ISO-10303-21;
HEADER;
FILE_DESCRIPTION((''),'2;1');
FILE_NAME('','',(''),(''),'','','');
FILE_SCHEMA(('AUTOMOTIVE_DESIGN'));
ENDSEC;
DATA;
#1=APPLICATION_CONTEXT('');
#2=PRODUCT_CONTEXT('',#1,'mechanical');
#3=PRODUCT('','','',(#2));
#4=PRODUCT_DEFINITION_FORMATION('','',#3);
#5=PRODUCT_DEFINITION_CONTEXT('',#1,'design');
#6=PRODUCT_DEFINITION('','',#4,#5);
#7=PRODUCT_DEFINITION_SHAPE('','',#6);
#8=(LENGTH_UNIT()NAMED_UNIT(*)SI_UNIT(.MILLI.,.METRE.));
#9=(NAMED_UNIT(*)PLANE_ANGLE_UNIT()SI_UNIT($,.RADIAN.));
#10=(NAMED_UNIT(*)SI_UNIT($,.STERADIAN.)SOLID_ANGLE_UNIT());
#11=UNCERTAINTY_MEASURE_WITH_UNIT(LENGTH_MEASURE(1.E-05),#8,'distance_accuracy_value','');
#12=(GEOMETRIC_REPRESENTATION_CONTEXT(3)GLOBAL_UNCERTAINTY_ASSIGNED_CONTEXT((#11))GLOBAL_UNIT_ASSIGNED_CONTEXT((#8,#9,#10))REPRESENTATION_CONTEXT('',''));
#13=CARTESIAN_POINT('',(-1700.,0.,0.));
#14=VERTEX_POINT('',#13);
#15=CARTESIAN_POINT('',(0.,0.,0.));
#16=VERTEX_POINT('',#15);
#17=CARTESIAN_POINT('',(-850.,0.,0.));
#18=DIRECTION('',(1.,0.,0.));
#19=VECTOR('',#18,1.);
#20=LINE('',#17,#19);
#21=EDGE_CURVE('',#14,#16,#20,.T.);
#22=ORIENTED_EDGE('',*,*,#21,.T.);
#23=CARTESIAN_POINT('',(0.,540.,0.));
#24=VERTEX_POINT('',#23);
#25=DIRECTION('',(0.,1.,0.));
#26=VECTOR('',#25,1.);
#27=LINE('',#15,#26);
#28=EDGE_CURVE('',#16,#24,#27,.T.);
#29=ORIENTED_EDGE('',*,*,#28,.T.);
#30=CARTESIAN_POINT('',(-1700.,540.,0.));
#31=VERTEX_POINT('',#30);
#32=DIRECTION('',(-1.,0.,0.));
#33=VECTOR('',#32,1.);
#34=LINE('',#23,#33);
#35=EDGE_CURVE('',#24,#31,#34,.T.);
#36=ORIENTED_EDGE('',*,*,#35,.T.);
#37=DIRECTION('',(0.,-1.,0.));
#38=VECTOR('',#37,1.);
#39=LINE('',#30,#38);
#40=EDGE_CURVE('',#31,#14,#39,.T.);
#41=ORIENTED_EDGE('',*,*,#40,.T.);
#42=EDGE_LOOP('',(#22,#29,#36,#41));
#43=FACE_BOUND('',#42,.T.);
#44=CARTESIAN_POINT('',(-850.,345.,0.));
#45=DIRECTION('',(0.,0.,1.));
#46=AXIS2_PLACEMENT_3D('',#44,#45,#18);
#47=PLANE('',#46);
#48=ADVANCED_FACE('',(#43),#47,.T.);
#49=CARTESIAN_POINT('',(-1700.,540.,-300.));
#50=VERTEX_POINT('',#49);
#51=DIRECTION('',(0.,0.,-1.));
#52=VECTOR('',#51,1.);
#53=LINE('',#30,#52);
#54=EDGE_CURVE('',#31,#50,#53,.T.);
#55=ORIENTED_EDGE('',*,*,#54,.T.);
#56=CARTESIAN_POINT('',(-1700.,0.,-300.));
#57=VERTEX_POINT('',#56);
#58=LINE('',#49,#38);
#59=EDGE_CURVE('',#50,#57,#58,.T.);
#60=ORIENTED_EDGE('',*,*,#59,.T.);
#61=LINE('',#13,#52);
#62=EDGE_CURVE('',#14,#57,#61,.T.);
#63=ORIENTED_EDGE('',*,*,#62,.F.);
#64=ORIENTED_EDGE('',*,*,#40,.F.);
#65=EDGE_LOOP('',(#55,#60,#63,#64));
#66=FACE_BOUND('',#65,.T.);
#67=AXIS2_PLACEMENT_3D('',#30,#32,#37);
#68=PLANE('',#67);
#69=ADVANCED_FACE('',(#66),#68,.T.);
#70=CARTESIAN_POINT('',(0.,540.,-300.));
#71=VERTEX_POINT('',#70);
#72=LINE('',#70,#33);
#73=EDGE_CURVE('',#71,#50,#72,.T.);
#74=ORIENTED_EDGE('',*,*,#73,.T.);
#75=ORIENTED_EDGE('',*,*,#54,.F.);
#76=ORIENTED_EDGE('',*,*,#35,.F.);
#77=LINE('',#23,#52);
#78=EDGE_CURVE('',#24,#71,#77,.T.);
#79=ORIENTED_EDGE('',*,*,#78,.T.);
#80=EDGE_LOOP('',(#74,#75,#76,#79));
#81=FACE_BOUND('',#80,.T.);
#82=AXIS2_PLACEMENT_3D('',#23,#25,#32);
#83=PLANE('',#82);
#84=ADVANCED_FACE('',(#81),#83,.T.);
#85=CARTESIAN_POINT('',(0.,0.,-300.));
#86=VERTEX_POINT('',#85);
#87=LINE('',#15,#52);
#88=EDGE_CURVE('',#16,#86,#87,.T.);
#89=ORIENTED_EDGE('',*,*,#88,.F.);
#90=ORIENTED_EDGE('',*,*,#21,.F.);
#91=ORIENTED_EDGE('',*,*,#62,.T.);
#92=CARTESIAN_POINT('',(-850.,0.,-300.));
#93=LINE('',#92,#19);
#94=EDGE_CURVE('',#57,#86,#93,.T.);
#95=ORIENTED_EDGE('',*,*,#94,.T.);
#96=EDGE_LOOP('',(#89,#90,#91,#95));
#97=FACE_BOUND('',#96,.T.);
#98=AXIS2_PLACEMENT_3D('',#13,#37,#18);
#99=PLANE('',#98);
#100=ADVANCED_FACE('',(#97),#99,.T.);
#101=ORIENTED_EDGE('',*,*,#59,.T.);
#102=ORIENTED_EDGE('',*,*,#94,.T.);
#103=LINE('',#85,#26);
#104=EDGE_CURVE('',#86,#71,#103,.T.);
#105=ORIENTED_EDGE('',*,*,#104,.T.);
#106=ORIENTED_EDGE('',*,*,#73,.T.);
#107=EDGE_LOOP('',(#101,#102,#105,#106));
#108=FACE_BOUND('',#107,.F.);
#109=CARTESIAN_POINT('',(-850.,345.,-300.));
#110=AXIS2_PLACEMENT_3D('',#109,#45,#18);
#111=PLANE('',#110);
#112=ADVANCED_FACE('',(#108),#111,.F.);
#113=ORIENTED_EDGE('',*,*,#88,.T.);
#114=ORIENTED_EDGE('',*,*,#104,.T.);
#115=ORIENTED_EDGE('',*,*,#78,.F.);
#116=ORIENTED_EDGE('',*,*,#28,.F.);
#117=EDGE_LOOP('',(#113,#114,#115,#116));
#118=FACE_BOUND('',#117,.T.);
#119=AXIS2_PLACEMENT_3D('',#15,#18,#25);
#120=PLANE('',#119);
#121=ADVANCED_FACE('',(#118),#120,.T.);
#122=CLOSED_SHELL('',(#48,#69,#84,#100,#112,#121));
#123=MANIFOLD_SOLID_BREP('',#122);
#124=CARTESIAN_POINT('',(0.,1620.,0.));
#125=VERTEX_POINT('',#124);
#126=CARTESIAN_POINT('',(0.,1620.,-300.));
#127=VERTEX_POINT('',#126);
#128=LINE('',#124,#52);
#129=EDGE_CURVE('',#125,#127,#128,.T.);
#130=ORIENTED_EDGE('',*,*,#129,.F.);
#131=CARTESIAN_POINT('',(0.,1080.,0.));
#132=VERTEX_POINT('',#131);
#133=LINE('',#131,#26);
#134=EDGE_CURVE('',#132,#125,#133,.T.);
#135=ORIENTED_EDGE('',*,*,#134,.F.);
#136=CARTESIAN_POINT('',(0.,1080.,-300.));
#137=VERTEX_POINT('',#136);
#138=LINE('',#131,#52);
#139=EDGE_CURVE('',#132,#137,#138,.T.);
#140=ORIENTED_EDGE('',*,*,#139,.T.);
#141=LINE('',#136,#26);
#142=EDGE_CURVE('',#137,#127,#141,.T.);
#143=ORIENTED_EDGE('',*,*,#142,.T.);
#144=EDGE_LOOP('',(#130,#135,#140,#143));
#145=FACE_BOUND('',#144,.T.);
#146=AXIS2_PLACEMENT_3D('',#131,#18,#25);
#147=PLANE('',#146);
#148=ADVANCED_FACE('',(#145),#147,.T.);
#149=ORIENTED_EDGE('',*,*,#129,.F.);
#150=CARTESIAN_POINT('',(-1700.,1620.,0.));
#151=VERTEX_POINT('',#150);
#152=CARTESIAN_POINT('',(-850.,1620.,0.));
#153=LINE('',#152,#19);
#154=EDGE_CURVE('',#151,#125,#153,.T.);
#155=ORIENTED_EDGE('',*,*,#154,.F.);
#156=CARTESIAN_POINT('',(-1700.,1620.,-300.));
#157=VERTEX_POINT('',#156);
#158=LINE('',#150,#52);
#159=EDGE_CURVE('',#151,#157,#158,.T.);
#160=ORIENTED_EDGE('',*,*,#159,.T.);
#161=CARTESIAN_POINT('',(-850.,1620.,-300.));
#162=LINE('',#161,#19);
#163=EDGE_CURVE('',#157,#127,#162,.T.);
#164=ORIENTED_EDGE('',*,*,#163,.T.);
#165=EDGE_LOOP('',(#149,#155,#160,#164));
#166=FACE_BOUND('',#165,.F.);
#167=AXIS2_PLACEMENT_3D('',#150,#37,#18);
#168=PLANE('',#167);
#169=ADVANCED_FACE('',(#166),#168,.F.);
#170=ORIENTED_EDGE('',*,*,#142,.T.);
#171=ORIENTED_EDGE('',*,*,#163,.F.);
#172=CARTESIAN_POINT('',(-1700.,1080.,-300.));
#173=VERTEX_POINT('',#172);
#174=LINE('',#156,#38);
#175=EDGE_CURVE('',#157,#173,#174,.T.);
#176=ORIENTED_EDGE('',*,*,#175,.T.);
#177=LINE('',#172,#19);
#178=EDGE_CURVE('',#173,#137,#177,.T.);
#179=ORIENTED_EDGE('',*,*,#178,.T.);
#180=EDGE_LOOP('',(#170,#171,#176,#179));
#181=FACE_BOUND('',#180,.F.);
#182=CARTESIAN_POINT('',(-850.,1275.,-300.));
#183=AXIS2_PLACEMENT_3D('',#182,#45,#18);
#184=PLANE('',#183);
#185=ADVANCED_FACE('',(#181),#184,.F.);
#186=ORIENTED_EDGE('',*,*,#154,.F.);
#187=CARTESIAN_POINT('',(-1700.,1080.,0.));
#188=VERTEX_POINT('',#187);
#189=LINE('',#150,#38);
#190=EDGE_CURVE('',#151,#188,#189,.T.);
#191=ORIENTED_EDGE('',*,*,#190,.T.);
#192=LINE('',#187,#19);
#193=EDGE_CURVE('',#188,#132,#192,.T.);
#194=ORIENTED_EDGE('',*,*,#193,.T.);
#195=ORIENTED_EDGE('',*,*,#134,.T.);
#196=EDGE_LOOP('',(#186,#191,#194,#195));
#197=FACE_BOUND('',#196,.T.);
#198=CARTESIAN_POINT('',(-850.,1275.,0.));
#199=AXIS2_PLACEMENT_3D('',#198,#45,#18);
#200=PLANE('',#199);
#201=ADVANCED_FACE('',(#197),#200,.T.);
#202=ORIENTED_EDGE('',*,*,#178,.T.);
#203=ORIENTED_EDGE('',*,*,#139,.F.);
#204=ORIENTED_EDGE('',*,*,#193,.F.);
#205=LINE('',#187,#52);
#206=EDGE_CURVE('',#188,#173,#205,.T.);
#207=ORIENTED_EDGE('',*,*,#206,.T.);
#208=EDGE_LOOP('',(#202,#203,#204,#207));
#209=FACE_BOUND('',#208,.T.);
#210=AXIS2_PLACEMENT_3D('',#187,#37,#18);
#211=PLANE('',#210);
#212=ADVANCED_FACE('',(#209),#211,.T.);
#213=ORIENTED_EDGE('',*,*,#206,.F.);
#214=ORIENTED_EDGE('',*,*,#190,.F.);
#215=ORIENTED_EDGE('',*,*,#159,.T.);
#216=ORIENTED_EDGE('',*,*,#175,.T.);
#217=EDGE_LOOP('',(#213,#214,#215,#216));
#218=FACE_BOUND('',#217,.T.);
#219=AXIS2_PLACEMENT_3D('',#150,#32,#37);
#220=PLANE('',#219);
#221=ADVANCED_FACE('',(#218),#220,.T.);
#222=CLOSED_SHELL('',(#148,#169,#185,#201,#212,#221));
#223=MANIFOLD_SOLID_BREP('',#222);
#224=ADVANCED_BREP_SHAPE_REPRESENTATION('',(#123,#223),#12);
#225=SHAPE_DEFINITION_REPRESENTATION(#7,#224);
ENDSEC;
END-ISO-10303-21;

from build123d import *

# Parameters (mm, degrees)
F0_W     = 1700
F0_H     = 150
F1_DEPTH = 300


with BuildPart() as f1:
    # F0 (on Top) → F1 (new body)
    with BuildSketch(Plane.XY):
        Polygon((-1700, 150), (0, 150), (0, 540), (-540, 540), (-1700, 540), align=None)
        with Locations((-850, 75)):
            Rectangle(F0_W, F0_H)
        Polygon((-540, 1080), (0, 1080), (0, 1470), (-1700, 1470), (-1700, 1080), align=None)
        with Locations((-850, 1545)):
            Rectangle(F0_W, F0_H)
    extrude(amount=-F1_DEPTH)


solid = f1.part
